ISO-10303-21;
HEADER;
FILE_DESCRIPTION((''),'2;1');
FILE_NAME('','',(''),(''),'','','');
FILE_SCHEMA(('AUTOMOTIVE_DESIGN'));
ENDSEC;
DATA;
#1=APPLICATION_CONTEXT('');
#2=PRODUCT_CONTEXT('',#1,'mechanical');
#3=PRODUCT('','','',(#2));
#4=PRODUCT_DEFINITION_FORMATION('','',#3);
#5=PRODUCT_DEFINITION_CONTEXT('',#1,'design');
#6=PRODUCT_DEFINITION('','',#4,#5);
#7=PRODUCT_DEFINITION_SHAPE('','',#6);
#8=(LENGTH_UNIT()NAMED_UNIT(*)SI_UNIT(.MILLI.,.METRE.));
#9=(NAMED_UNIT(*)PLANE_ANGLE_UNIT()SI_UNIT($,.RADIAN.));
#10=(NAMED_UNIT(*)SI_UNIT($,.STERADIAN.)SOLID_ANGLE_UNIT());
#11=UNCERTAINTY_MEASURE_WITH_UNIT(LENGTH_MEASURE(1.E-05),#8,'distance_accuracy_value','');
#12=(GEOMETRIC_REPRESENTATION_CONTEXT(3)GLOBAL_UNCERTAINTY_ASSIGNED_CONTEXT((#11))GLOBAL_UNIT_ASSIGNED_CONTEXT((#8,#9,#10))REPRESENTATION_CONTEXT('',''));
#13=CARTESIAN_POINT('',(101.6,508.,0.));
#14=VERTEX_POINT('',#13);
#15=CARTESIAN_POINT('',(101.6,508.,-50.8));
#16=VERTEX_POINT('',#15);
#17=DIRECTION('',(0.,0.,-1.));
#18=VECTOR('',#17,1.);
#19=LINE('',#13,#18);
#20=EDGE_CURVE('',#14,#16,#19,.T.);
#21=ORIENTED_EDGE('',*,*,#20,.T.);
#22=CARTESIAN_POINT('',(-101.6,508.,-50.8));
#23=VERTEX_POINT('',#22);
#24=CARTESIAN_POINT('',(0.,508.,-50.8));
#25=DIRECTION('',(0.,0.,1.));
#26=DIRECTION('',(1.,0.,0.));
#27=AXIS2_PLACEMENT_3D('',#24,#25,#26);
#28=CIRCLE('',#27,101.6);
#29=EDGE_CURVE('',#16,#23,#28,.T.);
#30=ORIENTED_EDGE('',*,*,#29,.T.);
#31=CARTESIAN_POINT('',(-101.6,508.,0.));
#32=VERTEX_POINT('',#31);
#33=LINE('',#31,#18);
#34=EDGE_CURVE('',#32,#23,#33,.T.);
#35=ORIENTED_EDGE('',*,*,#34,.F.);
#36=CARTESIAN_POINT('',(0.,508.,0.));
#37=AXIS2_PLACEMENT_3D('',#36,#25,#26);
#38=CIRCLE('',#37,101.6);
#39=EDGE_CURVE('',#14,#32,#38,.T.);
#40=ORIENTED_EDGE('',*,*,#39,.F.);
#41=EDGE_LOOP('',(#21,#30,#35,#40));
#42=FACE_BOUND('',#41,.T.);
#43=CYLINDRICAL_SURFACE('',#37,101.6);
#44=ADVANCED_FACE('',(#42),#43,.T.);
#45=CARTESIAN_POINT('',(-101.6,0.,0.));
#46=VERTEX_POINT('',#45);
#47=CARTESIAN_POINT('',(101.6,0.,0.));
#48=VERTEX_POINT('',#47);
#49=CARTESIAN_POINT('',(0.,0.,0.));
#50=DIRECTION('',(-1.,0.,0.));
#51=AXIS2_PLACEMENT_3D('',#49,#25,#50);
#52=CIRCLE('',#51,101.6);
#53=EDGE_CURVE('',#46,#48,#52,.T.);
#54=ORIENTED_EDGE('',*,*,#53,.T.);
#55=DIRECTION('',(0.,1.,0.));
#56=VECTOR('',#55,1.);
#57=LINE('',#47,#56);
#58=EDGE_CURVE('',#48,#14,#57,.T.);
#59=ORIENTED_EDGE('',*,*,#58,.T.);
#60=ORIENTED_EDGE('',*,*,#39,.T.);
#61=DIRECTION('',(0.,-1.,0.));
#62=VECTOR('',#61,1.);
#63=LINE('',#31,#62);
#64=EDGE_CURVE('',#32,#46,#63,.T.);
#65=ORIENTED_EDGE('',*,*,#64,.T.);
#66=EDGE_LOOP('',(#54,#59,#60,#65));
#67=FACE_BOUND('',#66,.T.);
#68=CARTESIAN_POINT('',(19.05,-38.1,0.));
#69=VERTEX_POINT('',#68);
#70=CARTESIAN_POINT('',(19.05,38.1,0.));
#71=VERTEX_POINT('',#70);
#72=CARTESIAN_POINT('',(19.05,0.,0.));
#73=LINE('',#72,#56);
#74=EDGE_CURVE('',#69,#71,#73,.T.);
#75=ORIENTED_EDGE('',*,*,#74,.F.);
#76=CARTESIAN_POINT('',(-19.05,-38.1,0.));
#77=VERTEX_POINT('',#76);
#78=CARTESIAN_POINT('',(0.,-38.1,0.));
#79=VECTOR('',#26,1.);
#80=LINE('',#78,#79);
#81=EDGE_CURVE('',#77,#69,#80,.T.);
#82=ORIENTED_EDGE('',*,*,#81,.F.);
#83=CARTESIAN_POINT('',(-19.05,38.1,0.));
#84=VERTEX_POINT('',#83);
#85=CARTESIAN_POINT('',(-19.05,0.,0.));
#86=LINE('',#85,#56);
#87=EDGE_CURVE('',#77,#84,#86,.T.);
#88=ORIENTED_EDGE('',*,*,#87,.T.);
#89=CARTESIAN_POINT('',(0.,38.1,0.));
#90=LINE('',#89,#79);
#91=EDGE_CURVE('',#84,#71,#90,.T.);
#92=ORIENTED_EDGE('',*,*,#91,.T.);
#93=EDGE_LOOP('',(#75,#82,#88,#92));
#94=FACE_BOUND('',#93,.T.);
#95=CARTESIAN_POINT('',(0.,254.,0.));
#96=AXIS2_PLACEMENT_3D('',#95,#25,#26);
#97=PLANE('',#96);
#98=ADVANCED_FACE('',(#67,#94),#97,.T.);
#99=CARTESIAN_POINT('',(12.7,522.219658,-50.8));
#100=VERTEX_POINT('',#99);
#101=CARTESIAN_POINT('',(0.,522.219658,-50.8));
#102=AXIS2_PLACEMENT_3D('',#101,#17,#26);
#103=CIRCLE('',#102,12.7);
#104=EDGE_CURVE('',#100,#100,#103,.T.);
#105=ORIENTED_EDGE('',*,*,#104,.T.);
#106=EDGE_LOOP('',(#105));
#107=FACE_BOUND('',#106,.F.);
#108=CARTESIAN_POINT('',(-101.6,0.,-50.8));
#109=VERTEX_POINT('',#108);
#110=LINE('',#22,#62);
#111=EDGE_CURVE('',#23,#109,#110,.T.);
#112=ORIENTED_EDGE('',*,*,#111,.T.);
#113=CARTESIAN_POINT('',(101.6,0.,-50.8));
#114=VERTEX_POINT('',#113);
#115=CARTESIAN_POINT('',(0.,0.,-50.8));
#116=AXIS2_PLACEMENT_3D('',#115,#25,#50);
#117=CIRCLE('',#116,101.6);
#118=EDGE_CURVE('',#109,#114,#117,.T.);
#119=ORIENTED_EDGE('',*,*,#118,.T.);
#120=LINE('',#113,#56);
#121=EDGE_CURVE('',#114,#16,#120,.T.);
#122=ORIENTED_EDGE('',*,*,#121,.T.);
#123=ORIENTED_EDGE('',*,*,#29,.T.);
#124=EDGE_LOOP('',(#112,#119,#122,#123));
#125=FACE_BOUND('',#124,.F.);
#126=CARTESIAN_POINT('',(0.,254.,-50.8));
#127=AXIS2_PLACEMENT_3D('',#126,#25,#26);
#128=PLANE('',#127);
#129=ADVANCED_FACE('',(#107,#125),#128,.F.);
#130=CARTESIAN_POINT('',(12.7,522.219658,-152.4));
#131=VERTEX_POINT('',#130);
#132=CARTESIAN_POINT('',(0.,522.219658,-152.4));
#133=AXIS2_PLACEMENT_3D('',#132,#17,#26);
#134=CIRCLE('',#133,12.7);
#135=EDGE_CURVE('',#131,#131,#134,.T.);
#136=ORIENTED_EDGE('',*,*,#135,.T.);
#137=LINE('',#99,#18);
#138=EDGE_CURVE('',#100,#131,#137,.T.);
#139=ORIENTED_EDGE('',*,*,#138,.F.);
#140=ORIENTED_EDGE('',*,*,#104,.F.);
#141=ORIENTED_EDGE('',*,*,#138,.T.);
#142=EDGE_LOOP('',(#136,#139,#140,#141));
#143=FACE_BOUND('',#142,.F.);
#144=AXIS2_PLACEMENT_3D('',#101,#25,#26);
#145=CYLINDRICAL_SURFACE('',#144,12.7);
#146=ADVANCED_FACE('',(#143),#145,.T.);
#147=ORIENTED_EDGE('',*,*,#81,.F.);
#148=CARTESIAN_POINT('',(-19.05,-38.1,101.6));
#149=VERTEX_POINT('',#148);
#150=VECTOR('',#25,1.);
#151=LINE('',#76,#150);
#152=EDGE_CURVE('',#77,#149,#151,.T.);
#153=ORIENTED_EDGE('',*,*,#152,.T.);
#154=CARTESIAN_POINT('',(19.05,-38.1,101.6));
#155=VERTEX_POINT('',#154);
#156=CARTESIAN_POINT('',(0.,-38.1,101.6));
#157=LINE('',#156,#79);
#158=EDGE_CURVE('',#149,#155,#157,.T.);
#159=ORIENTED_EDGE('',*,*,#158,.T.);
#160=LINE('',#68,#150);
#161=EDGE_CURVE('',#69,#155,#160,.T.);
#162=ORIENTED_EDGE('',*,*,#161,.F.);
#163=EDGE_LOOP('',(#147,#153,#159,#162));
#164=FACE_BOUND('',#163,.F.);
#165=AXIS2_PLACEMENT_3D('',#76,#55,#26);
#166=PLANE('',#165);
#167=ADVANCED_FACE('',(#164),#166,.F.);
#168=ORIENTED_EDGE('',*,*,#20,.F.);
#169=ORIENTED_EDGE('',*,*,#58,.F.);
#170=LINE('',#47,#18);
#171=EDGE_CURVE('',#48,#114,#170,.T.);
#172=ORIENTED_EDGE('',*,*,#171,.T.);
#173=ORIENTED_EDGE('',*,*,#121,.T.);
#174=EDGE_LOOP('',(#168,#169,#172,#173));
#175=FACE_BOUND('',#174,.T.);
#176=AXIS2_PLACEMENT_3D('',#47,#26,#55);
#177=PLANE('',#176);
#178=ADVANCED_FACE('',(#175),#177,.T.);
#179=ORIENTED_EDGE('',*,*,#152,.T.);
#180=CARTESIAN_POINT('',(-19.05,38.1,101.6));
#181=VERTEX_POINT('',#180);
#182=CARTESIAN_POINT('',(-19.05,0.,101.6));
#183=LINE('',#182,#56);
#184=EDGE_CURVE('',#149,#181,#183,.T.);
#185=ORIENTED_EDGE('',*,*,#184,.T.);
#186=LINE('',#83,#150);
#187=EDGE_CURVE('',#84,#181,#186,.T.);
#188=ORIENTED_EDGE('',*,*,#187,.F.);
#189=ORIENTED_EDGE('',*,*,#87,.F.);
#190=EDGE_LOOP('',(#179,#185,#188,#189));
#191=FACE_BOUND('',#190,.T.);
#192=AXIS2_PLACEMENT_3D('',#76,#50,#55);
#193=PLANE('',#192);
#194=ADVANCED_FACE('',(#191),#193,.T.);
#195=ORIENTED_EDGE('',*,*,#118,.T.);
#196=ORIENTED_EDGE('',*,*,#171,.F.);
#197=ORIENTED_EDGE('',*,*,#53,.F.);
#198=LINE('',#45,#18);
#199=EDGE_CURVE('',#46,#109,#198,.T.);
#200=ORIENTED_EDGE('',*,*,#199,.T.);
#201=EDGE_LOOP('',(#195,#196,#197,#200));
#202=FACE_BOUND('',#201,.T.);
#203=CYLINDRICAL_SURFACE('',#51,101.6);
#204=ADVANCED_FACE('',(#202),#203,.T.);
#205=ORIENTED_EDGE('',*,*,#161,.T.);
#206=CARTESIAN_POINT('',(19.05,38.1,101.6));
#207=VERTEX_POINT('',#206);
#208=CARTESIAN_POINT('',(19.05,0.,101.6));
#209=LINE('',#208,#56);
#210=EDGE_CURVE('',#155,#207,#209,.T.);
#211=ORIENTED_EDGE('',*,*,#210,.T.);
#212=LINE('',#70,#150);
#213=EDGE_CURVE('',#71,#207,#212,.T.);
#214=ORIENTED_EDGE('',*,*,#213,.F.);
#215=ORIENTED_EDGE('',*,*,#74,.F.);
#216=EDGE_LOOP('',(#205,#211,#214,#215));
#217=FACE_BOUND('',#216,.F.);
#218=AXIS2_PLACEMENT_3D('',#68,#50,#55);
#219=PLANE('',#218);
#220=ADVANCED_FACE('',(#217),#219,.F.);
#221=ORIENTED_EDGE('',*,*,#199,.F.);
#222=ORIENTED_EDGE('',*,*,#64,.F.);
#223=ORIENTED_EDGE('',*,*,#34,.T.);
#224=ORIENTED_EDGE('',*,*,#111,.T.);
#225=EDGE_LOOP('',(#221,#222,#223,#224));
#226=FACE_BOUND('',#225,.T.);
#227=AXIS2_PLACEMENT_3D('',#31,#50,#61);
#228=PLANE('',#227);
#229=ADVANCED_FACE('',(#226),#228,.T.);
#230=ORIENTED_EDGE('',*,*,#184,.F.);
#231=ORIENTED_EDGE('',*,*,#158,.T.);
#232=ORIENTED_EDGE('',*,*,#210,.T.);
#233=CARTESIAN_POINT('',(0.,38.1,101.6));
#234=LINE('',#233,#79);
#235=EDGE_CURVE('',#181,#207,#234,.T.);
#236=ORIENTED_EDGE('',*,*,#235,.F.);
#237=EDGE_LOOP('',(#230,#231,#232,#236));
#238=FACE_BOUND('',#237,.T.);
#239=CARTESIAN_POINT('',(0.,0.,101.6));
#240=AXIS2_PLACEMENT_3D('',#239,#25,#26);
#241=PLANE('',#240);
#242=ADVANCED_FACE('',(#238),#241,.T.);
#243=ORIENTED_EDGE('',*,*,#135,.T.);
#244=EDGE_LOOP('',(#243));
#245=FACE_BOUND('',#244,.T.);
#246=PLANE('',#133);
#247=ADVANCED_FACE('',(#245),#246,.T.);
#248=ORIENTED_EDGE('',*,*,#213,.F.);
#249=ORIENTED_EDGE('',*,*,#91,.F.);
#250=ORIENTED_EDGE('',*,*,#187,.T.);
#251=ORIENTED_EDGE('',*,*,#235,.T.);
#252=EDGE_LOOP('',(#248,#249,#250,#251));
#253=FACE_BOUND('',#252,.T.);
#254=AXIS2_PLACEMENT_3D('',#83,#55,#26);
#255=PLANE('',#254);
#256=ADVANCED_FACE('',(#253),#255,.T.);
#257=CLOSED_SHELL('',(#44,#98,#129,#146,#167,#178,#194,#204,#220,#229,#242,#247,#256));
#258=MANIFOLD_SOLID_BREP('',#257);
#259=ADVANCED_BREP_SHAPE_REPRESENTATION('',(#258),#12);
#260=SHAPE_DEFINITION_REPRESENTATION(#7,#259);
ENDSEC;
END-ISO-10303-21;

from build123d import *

# Parameters (mm, degrees)
F1_DEPTH = 50.8
F2_R     = 12.7
F3_DEPTH = 101.6
F4_W     = 38.1
F4_H     = 76.2
F5_DEPTH = 101.6


with BuildPart() as f1:
    # F0 (on Top) → F1 (new body)
    with BuildSketch(Plane.XY):
        with BuildLine():
            Line((-101.6, 508), (-101.6, 0))
            ThreePointArc((-101.6, 0), (0, -101.6), (101.6, 0))
            Line((101.6, 0), (101.6, 508))
            ThreePointArc((101.6, 508), (0, 609.6), (-101.6, 508))
        make_face()
    extrude(amount=-F1_DEPTH)

    # F2 (on face) → F3 (join)
    with BuildSketch(Plane(origin=(0, 0, -50.8), x_dir=(1, 0, 0), z_dir=(0, 0, -1))):
        with Locations((0, -522.219658)):
            Circle(F2_R)
    extrude(amount=F3_DEPTH)

    # F4 (on face) → F5 (join)
    with BuildSketch(Plane.XY):
        Rectangle(F4_W, F4_H)
    extrude(amount=F5_DEPTH)


solid = f1.part
